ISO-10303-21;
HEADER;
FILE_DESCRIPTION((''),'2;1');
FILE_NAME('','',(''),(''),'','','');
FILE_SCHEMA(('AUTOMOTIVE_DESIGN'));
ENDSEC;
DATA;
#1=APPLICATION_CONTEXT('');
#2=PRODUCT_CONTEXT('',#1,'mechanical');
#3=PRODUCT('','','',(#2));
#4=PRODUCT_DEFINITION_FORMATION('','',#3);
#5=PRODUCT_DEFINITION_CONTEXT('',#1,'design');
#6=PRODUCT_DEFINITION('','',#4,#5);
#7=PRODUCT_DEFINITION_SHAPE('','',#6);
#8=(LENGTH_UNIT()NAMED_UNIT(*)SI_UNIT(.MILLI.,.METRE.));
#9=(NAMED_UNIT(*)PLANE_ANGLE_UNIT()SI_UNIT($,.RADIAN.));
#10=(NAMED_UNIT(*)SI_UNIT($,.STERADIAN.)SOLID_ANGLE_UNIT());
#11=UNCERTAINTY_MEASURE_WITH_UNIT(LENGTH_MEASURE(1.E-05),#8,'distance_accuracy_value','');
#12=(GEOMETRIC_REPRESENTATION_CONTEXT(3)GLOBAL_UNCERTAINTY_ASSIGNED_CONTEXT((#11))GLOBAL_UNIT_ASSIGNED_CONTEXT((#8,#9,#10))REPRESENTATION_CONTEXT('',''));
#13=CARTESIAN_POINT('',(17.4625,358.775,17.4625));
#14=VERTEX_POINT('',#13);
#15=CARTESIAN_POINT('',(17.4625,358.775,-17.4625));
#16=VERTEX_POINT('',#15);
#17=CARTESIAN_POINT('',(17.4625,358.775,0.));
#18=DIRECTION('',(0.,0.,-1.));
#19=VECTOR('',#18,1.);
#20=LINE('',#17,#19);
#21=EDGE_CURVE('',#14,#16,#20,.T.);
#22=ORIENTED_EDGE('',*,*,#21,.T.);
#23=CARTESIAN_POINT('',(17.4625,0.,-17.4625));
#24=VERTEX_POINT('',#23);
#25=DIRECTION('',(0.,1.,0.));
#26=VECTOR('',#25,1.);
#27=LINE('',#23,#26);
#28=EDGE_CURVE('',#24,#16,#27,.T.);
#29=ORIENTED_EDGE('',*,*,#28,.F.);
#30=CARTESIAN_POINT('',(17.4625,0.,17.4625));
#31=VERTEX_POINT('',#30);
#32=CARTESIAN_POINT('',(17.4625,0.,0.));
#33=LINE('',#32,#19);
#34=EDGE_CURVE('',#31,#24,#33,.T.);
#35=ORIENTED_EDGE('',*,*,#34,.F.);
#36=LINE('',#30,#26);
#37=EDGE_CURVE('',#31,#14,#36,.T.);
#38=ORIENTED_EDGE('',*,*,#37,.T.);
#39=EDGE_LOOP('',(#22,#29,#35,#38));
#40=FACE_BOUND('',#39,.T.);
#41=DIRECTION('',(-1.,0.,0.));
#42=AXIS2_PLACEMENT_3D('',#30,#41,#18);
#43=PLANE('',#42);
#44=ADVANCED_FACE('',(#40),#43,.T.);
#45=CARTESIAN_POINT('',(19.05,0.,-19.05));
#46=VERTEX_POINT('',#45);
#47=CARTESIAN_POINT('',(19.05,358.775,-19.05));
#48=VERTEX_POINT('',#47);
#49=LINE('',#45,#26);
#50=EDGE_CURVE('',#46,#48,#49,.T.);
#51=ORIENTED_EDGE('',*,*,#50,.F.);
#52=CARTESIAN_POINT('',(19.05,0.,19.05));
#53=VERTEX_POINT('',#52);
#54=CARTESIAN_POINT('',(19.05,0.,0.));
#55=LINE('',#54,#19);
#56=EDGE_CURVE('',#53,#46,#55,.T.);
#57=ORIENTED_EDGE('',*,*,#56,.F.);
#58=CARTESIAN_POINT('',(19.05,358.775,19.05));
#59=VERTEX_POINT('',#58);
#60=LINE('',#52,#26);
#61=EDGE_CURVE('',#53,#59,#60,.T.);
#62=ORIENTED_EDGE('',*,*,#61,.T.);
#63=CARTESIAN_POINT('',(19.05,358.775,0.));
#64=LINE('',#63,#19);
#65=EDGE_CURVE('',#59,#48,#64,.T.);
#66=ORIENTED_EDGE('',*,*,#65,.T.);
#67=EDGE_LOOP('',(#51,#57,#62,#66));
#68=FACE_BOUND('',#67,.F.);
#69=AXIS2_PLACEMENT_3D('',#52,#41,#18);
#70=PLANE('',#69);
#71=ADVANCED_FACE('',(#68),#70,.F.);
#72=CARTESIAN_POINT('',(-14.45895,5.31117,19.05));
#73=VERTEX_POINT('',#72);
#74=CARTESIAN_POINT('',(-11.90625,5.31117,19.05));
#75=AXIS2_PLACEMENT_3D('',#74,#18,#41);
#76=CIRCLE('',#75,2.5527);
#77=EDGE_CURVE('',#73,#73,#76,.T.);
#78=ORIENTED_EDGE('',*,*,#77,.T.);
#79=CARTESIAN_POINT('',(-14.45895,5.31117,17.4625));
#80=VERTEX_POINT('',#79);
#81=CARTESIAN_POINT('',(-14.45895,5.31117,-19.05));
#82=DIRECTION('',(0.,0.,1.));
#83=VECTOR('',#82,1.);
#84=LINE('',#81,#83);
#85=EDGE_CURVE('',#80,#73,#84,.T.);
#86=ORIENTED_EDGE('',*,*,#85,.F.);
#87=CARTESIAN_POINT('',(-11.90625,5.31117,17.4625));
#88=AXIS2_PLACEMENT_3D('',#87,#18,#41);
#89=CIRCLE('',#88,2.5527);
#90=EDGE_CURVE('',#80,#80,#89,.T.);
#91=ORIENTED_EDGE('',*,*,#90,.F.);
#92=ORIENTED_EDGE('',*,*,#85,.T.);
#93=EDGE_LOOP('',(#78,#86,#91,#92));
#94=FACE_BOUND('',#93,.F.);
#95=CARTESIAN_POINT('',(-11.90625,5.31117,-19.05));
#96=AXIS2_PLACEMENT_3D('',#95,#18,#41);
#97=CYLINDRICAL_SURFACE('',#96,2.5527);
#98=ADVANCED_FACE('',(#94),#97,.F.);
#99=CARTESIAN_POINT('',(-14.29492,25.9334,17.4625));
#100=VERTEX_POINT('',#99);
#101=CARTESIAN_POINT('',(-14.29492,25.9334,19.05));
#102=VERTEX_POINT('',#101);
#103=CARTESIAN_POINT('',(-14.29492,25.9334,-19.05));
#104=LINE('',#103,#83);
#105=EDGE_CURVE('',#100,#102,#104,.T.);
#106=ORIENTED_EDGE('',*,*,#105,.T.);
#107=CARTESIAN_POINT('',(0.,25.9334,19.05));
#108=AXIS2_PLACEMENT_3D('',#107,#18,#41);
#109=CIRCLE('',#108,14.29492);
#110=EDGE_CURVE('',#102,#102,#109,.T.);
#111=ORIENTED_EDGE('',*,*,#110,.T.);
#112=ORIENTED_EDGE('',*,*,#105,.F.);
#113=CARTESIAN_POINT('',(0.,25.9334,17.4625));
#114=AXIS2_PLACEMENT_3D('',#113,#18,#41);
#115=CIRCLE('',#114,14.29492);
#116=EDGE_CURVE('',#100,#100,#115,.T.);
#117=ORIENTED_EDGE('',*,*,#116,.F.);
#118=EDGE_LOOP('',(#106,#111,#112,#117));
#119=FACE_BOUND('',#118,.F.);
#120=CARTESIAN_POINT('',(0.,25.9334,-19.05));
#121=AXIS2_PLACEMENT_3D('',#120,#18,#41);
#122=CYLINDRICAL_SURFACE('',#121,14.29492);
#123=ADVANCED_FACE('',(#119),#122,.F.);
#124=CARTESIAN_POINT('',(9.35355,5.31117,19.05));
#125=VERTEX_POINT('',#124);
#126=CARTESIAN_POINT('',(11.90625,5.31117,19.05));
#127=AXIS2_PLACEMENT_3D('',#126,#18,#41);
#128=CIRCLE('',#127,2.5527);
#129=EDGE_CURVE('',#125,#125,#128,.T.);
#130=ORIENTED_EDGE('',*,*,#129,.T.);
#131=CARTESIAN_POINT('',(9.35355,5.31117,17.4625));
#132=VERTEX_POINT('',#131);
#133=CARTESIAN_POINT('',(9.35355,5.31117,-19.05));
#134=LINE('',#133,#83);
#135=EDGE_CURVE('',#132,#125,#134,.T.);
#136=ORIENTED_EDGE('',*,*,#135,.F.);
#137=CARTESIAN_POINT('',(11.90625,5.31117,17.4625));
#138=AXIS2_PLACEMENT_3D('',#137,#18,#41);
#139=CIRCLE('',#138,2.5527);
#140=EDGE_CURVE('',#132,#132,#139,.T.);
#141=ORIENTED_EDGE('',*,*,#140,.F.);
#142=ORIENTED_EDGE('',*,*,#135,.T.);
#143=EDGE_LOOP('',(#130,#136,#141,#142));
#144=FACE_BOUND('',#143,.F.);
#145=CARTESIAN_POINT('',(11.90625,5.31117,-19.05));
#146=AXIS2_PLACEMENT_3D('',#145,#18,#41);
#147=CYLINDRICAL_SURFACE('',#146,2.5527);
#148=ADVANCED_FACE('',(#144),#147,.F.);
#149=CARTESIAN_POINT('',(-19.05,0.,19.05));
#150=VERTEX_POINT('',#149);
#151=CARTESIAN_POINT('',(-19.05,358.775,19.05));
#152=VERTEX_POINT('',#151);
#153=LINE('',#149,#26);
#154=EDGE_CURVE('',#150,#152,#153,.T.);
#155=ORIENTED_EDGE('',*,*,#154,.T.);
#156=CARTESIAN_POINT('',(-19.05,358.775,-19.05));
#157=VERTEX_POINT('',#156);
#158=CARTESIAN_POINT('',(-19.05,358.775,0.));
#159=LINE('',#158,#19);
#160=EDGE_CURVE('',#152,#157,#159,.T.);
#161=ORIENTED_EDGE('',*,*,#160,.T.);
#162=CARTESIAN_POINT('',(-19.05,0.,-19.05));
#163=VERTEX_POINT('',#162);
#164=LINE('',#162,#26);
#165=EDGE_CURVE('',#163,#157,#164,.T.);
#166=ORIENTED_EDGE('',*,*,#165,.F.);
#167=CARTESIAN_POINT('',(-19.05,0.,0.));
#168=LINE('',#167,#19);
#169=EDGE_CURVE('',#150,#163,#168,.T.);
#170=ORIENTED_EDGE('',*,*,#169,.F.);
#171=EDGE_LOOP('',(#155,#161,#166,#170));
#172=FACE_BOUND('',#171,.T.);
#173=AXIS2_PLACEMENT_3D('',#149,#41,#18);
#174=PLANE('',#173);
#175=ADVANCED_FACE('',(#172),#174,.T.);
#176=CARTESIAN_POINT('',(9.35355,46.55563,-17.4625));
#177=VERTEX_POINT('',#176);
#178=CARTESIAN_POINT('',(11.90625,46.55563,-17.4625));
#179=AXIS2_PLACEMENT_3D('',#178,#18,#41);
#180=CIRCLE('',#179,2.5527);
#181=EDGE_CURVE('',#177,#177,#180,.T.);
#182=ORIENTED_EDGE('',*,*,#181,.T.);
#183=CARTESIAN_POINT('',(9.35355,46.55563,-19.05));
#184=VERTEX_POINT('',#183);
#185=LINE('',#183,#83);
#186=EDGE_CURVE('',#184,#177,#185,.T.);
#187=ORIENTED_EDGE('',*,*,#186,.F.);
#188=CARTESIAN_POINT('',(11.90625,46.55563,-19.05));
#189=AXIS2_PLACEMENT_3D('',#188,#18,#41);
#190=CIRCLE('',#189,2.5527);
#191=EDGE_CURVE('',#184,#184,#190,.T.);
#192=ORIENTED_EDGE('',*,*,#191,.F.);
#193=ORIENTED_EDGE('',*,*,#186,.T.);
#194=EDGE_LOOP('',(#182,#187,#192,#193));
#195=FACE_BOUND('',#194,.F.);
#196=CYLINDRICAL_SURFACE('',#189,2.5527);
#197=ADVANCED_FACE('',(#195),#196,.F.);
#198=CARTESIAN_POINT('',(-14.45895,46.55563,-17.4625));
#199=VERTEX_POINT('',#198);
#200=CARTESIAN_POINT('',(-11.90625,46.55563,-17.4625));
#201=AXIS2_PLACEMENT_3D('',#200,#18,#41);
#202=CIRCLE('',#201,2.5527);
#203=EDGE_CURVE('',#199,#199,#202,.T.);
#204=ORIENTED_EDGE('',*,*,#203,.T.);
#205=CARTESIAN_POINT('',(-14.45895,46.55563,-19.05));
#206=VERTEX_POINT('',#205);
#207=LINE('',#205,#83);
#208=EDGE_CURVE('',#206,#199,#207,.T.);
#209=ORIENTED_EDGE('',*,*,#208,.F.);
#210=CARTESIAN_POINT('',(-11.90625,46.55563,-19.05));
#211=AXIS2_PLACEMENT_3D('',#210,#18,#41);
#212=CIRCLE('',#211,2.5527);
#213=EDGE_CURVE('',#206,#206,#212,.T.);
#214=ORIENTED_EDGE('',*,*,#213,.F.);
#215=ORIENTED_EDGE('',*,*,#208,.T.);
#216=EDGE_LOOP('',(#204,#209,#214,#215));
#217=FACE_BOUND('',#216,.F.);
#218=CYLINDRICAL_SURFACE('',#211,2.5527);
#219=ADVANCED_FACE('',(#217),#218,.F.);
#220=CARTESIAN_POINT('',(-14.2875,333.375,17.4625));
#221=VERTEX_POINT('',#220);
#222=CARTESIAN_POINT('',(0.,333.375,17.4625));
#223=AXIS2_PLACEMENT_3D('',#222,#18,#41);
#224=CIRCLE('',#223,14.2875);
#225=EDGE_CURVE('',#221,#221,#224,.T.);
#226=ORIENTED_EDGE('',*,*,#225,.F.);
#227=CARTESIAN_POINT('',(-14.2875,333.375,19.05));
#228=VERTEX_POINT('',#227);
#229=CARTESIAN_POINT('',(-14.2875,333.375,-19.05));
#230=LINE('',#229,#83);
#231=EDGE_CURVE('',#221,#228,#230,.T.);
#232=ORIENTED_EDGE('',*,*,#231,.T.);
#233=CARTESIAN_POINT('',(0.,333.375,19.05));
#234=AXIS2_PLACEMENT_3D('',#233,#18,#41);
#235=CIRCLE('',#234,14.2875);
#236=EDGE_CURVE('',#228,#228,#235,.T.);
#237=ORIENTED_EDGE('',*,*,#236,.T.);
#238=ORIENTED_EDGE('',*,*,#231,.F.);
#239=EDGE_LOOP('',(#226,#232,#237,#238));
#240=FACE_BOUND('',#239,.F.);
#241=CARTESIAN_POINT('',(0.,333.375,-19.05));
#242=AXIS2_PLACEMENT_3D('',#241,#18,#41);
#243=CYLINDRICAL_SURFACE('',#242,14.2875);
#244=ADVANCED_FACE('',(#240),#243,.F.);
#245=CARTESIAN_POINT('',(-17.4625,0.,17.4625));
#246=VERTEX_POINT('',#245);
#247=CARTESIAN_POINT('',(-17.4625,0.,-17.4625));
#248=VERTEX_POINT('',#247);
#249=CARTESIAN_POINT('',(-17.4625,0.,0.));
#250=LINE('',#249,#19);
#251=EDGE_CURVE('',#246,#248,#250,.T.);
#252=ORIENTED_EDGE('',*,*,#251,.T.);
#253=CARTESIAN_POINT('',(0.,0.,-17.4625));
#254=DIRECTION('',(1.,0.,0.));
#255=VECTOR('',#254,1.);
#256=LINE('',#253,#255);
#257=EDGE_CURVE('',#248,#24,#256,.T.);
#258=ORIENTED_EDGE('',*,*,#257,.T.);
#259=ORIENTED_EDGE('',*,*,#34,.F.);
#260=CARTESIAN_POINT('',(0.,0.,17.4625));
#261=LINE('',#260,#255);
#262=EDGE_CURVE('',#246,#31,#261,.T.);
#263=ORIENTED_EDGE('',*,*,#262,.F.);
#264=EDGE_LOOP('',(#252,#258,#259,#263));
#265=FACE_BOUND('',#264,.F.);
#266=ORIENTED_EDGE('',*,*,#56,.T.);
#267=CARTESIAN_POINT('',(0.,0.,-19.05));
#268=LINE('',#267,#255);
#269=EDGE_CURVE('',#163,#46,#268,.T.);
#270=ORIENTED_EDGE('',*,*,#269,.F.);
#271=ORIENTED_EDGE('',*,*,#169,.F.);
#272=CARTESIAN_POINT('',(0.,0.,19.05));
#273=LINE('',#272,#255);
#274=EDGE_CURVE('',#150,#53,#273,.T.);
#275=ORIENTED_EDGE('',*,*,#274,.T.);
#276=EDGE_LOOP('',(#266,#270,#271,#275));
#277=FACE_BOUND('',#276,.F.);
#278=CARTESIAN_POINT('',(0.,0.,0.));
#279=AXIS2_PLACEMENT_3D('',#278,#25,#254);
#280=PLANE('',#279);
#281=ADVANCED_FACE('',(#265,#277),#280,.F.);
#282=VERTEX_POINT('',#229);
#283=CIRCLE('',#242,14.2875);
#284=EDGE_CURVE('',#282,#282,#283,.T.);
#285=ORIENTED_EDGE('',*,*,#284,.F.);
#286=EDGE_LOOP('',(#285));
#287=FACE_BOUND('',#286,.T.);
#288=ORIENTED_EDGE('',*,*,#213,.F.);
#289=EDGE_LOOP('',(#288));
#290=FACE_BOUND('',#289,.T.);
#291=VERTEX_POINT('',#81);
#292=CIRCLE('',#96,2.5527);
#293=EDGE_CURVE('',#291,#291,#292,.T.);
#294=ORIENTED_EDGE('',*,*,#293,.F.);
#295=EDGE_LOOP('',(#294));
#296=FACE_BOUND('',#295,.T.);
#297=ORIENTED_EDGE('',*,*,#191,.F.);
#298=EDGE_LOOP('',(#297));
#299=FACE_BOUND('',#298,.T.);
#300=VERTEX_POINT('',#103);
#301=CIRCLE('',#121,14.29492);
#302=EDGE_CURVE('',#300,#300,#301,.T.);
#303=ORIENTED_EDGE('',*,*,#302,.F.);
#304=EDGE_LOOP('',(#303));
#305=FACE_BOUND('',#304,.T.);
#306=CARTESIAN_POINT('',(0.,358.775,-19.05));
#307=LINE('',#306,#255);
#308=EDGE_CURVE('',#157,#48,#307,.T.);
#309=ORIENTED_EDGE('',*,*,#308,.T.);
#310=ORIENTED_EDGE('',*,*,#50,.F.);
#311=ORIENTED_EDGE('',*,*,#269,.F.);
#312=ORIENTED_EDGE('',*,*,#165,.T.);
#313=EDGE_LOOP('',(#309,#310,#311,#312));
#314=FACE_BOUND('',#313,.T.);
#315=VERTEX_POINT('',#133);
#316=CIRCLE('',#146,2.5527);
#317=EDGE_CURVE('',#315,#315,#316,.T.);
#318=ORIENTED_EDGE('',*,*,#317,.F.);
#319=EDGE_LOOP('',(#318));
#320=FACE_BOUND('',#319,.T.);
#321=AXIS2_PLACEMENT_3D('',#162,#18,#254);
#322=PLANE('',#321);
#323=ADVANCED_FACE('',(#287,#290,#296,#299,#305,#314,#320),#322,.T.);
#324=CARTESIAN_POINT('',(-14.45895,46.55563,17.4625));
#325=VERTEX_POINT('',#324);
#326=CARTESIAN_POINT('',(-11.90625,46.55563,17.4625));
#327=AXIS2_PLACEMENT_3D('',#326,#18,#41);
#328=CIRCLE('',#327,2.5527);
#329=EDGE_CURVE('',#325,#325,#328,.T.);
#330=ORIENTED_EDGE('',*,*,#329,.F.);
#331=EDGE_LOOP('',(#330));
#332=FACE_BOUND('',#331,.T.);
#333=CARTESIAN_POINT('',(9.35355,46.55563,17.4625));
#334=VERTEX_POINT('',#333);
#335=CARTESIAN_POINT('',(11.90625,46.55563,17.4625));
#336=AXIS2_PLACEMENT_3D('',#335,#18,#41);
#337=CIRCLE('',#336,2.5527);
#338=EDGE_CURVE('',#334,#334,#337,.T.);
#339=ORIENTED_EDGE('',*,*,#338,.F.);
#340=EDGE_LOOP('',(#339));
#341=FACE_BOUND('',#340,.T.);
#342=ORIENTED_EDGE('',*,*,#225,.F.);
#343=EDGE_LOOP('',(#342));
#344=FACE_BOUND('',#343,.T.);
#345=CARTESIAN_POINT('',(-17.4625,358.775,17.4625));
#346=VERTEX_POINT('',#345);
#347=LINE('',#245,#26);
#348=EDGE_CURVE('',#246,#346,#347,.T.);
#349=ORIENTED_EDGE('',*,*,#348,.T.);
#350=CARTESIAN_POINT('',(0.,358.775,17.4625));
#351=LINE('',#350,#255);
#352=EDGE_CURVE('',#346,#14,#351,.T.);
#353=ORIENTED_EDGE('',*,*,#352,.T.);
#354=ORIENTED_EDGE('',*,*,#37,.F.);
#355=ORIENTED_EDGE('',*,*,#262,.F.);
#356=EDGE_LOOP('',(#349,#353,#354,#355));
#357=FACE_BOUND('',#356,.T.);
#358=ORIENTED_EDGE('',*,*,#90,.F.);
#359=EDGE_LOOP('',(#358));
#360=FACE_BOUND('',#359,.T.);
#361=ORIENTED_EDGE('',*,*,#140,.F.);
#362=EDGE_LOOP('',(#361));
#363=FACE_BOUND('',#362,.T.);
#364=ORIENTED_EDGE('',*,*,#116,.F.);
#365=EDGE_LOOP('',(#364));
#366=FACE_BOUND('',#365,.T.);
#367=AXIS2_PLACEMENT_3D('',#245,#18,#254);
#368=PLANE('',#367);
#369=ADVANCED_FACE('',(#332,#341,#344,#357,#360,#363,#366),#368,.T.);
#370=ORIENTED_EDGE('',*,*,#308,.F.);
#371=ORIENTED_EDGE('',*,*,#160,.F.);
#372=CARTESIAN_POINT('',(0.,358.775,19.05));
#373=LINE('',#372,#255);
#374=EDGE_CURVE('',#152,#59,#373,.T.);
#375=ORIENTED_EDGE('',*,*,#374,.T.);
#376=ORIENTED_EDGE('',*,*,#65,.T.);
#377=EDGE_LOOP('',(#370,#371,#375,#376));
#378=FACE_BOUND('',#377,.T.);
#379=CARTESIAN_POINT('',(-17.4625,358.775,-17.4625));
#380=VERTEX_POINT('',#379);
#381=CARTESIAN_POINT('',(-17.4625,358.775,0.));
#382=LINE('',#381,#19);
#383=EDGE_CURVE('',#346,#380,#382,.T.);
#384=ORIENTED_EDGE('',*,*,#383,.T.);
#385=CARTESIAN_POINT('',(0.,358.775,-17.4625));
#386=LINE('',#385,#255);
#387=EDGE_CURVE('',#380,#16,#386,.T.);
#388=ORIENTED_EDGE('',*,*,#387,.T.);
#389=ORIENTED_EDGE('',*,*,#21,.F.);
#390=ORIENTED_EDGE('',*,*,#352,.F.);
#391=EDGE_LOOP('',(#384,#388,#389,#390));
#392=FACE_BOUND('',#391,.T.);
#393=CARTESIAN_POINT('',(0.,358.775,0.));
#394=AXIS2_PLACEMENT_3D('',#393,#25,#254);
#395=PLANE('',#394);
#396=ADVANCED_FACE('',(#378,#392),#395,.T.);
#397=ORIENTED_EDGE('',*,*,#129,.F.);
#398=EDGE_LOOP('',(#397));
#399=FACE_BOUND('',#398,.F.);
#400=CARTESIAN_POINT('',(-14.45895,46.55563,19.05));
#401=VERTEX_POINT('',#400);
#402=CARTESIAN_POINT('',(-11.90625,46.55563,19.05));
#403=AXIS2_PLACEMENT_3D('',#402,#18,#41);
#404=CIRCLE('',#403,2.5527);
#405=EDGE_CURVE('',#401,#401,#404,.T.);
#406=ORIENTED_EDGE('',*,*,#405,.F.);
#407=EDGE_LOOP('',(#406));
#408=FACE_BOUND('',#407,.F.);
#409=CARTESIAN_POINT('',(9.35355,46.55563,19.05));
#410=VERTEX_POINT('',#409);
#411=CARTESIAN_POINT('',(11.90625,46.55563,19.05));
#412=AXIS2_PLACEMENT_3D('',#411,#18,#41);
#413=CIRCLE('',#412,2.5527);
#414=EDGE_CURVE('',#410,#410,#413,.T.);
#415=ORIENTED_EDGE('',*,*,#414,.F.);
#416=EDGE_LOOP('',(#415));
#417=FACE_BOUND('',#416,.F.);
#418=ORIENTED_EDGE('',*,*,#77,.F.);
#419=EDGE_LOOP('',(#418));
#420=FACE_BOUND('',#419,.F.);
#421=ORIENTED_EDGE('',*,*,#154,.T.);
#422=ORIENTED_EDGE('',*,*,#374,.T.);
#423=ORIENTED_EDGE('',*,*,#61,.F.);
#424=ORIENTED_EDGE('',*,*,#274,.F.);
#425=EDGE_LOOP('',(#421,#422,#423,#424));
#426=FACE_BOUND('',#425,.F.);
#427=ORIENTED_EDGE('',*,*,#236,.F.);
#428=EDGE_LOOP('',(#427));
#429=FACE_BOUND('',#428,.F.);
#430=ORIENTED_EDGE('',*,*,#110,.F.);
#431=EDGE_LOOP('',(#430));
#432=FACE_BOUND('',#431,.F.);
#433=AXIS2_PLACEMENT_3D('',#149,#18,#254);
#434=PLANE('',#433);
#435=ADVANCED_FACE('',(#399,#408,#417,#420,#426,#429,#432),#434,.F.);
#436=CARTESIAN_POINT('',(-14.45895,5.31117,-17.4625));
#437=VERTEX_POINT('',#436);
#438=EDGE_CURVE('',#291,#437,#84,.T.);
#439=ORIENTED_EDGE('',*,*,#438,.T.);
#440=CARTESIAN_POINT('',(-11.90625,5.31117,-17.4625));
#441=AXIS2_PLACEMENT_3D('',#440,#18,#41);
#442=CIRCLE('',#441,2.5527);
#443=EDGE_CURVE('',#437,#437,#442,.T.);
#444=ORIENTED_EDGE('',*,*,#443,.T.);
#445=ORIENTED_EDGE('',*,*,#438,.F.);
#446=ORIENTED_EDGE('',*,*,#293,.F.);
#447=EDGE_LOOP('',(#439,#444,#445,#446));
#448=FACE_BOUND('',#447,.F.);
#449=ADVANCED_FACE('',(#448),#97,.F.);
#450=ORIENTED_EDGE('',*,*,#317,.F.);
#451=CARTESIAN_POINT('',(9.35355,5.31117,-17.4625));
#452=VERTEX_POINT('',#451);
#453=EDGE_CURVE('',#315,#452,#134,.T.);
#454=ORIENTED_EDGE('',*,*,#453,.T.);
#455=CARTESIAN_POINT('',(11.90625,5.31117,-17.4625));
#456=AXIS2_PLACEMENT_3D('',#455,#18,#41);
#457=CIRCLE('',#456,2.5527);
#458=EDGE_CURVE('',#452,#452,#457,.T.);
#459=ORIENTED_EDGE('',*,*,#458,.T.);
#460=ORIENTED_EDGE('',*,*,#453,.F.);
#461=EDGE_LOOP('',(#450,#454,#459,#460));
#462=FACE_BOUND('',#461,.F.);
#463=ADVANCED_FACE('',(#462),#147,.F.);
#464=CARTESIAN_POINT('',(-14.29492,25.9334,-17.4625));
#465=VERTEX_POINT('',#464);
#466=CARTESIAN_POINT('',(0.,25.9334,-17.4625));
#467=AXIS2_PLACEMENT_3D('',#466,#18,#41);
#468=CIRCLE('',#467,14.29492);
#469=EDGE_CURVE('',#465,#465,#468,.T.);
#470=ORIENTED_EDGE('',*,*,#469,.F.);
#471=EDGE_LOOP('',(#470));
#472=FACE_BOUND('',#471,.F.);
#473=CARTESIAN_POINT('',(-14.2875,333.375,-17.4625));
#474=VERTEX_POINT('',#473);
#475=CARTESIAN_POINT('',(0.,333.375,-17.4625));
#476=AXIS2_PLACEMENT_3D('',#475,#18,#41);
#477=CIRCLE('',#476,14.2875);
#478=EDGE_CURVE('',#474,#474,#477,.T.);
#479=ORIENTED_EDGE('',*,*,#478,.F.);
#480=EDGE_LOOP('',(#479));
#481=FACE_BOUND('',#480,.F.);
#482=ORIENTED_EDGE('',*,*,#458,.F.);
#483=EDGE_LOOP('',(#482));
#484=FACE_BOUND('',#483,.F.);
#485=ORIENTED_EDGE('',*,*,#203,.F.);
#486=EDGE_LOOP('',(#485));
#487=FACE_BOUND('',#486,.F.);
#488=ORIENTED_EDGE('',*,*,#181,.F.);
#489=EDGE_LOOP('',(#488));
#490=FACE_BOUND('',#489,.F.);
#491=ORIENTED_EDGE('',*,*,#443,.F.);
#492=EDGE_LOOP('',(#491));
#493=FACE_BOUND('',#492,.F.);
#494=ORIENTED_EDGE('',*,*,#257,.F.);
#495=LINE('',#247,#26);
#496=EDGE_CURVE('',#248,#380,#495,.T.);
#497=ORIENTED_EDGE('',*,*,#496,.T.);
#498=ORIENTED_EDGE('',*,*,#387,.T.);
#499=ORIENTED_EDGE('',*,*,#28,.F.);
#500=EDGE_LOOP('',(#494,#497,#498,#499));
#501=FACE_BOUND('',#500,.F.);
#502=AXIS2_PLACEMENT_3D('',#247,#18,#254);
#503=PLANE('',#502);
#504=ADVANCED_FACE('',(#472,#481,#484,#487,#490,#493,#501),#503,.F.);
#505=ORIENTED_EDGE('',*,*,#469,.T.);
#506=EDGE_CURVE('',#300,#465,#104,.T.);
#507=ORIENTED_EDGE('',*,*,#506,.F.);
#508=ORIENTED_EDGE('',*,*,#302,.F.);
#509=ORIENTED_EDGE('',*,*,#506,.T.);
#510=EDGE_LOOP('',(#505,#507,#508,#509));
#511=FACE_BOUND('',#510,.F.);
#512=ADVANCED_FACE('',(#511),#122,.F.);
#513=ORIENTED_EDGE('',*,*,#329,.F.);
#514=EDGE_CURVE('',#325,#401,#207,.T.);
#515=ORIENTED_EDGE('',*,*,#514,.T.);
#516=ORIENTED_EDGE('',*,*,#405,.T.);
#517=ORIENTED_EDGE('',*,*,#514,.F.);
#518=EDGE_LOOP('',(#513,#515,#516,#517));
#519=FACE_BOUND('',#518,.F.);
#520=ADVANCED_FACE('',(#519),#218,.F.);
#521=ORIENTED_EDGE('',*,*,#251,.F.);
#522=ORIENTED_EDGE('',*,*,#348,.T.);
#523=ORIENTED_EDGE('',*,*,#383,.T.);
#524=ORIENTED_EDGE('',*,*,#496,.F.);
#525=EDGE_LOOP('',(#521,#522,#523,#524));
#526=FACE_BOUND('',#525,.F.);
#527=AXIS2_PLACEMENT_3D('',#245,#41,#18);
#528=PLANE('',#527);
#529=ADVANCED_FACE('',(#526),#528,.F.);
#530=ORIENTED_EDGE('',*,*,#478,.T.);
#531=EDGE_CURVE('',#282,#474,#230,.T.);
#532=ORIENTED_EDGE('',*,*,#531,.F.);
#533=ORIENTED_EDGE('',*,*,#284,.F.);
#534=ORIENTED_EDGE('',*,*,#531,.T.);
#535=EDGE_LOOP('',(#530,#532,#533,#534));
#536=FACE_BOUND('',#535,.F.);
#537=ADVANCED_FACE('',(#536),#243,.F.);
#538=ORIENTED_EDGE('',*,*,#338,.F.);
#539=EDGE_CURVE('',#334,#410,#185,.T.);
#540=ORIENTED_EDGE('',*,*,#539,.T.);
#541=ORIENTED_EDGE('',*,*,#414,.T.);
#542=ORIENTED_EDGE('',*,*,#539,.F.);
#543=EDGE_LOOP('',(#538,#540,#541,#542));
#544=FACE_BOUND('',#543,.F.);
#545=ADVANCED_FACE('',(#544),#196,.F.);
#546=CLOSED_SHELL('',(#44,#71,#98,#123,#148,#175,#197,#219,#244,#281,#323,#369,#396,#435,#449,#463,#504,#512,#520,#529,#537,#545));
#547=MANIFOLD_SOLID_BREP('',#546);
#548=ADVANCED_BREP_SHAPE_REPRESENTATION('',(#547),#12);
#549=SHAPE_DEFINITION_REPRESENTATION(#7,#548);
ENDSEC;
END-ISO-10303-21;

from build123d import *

# Parameters (mm, degrees)
SKETCH1_W           = 38.1
SKETCH1_H           = 38.1
SKETCH1_W_2         = 34.925
SKETCH1_H_2         = 34.925
BOSS_EXTRUDE1_DEPTH = 358.775
SKETCH2_R           = 14.2875
SKETCH2_R_2         = 2.5527
SKETCH2_R_3         = 14.294919975
CUT_EXTRUDE1_DEPTH  = 362.294911568


with BuildPart() as part:
    # Sketch1 → Boss-Extrude1 (new body)
    with BuildSketch(Plane(origin=(0, 0, 0), x_dir=(1, 0, 0), z_dir=(0, 1, 0))):
        Rectangle(SKETCH1_W, SKETCH1_H)
        Rectangle(SKETCH1_W_2, SKETCH1_H_2, mode=Mode.SUBTRACT)
    extrude(amount=BOSS_EXTRUDE1_DEPTH)

    # Sketch2 → Cut-Extrude1 (cut, through all)
    with BuildSketch(Plane(origin=(0, 0, -19.05), x_dir=(-1, 0, 0), z_dir=(0, 0, -1))):
        with Locations((0, 333.375)):
            Circle(SKETCH2_R)
        with Locations((-11.90625, 5.311170072)):
            Circle(SKETCH2_R_2)
        with Locations((-11.90625, 46.555629928)):
            Circle(SKETCH2_R_2)
        with Locations((11.90625, 46.555629928)):
            Circle(SKETCH2_R_2)
        with Locations((11.90625, 5.311170072)):
            Circle(SKETCH2_R_2)
        with Locations((0, 25.9334)):
            Circle(SKETCH2_R_3)
    extrude(amount=-CUT_EXTRUDE1_DEPTH, mode=Mode.SUBTRACT)


solid = part.part
